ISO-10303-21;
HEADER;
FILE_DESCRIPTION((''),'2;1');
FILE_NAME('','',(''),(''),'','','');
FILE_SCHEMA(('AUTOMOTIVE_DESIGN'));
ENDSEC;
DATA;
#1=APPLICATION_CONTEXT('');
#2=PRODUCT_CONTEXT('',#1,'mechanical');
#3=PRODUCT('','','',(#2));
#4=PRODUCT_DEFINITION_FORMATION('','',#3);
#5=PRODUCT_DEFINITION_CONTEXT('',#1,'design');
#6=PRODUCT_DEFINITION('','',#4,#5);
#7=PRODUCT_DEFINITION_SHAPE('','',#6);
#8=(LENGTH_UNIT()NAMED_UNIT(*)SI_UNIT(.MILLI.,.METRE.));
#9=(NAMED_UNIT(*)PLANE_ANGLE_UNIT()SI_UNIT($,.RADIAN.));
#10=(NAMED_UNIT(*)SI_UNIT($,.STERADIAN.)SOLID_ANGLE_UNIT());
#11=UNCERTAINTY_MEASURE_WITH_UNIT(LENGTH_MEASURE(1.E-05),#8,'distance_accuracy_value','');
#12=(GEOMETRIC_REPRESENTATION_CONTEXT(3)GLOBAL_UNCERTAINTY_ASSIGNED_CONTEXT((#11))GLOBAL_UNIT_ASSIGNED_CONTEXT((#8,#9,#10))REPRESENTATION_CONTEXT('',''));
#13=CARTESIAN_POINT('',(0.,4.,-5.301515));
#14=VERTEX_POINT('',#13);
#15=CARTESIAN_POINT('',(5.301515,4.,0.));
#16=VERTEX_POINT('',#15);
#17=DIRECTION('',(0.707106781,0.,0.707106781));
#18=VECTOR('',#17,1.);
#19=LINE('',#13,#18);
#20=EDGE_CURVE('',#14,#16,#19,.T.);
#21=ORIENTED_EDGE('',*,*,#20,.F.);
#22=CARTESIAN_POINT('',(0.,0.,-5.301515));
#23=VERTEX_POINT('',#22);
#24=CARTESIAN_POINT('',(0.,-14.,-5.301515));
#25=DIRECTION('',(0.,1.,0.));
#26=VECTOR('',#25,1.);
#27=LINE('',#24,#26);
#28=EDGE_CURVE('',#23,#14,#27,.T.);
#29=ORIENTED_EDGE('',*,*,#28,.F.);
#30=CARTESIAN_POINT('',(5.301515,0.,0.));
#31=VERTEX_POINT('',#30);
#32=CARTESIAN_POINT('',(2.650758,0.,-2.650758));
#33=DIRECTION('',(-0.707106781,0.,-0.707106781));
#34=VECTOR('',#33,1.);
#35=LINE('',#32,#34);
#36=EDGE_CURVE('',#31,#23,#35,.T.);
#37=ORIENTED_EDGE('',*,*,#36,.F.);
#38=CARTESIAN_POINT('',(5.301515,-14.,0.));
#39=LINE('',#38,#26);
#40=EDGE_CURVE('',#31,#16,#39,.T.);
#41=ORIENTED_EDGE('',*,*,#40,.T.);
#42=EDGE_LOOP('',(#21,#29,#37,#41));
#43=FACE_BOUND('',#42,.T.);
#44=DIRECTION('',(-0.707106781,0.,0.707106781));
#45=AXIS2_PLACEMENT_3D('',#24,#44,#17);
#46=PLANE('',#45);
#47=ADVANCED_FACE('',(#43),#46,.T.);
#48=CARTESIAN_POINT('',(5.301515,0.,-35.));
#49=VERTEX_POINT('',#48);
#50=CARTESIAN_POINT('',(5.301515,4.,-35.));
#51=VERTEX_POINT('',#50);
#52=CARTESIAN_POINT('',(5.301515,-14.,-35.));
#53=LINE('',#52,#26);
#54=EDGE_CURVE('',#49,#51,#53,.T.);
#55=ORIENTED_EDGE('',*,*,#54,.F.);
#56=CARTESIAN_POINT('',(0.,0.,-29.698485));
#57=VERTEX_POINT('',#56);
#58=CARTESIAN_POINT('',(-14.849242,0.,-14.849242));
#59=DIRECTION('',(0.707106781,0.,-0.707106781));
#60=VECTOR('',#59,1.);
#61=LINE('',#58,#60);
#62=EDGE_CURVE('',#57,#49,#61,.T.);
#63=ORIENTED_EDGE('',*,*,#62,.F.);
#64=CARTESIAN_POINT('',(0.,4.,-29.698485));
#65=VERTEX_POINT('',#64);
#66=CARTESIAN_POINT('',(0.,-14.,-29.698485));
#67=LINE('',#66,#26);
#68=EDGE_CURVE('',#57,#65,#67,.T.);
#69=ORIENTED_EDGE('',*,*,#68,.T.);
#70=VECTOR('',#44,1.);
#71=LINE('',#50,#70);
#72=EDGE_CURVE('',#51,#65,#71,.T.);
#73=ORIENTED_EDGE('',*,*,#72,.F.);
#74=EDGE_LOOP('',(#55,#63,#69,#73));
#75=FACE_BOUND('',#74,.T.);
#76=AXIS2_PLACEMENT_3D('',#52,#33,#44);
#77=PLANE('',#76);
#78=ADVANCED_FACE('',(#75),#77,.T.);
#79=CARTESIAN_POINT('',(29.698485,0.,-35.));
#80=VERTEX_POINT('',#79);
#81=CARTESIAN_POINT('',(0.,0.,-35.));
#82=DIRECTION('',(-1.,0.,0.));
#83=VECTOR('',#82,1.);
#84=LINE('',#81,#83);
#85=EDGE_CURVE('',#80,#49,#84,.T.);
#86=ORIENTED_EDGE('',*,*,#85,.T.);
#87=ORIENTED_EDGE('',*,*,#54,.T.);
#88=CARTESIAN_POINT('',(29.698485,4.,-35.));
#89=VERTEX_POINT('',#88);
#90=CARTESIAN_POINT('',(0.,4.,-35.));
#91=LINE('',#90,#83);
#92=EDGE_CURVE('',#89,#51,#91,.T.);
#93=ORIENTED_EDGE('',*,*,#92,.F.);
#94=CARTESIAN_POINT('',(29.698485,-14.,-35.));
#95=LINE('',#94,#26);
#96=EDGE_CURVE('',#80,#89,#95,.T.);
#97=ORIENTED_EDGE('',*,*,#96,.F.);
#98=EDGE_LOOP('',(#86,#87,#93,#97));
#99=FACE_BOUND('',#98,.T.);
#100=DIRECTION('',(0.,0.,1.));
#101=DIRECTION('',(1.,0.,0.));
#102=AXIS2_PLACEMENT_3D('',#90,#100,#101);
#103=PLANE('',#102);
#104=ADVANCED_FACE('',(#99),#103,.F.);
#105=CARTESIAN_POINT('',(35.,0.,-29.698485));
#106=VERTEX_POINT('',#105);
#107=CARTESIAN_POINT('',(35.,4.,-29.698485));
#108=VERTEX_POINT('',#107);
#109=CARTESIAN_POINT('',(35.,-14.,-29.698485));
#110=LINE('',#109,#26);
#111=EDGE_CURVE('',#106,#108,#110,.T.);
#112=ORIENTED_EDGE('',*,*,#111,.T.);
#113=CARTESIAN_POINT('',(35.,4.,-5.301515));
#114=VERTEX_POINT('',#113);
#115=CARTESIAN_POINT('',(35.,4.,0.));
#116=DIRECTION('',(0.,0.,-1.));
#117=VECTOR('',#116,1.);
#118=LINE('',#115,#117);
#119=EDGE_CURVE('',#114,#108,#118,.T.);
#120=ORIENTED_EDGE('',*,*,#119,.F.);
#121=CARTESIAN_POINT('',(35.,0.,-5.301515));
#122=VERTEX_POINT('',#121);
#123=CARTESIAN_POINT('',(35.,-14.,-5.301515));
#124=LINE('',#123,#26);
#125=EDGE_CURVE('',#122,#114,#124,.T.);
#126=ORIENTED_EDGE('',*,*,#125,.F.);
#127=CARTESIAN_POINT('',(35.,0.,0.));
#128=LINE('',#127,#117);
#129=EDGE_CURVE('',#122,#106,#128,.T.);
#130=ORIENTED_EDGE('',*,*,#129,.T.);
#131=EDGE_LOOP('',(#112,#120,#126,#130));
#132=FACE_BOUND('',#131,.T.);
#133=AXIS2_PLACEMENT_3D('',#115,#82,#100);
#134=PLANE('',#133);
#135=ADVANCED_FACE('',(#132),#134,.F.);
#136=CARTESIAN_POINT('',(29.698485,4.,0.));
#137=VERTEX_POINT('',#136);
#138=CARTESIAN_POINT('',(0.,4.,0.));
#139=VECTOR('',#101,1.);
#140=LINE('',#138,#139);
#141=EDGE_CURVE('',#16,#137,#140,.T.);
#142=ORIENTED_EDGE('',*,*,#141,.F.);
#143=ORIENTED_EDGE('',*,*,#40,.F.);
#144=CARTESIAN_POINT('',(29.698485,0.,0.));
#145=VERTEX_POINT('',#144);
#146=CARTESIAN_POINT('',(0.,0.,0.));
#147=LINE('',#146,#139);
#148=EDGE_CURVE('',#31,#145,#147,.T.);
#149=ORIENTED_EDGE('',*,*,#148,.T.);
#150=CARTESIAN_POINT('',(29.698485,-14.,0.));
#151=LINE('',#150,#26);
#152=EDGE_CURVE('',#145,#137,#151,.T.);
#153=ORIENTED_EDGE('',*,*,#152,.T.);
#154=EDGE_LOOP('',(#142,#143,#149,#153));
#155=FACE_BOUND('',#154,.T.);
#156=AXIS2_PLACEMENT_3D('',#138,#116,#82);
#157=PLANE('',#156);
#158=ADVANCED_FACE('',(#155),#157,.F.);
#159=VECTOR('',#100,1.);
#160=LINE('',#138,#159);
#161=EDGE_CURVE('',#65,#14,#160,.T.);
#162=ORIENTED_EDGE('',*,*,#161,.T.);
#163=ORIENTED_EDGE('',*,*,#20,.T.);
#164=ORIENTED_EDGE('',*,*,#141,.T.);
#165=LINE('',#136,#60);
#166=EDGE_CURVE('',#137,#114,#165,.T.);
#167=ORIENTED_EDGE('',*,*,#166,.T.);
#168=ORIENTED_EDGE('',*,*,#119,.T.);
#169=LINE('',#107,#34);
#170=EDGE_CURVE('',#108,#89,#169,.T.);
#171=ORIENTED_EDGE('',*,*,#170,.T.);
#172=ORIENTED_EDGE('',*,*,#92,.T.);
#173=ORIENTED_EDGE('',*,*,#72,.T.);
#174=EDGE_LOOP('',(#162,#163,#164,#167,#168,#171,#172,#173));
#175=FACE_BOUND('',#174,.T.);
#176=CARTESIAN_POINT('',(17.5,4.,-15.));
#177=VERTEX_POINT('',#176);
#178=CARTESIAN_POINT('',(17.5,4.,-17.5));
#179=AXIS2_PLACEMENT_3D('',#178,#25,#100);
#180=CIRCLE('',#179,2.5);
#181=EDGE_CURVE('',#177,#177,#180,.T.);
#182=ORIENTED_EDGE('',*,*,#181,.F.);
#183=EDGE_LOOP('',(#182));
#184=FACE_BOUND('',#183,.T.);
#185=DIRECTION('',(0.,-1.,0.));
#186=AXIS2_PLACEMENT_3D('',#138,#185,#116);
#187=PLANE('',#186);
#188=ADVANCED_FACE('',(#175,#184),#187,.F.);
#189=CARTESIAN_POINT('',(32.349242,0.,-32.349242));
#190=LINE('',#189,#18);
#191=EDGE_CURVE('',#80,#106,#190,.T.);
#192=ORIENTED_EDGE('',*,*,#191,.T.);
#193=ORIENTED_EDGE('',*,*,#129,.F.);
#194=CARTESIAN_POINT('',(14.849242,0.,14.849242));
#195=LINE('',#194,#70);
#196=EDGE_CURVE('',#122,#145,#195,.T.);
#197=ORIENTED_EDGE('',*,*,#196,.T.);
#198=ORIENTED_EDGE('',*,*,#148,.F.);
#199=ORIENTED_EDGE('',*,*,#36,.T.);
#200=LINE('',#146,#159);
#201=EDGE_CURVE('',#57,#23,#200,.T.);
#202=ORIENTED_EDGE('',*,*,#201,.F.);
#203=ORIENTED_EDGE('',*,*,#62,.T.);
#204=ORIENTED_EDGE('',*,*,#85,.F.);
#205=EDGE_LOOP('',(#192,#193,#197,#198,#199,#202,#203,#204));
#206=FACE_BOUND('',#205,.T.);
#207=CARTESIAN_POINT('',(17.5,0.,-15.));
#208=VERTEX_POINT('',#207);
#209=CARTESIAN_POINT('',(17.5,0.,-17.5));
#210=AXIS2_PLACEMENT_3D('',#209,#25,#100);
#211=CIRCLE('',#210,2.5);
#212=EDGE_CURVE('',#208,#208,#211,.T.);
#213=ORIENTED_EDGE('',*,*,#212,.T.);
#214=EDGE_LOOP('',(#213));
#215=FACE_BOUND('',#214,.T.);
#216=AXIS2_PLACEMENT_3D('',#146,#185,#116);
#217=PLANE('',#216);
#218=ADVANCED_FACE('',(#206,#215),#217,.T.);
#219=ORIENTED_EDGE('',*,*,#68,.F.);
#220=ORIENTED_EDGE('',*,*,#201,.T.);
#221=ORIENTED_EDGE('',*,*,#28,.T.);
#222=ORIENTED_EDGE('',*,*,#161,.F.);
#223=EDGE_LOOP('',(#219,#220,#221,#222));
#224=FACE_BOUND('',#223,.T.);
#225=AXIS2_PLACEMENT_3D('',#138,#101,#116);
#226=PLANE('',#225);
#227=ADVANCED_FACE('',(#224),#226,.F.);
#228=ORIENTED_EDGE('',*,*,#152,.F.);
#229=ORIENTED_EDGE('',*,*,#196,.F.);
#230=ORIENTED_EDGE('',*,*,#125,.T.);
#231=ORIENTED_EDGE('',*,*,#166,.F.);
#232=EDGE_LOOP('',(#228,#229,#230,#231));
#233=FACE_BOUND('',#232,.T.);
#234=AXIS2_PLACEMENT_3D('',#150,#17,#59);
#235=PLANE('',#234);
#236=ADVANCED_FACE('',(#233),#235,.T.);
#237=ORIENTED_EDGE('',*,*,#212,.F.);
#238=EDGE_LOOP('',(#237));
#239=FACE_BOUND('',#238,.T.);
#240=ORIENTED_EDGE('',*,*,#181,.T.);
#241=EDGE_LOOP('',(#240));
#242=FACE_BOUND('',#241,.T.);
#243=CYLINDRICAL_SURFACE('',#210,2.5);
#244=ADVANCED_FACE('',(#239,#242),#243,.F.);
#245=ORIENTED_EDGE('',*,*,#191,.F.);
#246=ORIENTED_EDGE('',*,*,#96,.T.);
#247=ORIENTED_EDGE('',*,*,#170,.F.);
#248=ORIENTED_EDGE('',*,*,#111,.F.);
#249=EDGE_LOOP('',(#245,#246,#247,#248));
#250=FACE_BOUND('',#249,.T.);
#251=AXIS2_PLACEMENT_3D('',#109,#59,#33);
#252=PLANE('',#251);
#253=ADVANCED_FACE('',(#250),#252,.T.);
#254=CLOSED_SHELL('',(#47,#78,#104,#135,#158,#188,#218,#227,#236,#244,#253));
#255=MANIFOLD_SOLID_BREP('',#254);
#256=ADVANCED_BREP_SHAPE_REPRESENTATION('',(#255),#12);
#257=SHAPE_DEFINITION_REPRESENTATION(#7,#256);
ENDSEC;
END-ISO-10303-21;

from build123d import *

# Parameters (mm, degrees)
CROQUIS1_W              = 35
CROQUIS1_H              = 35
SALIENTE_EXTRUIR1_DEPTH = 4
CROQUIS2_OUTSIDE_W      = 46.932
CROQUIS2_OUTSIDE_H      = 46.932
CORTAR_EXTRUIR2_DEPTH   = 18
CROQUIS3_R              = 2.5
CORTAR_EXTRUIR3_DEPTH   = 5


with BuildPart() as part:
    # Croquis1 → Saliente-Extruir1 (new body)
    with BuildSketch(Plane(origin=(0, 0, 0), x_dir=(1, 0, 0), z_dir=(0, 1, 0))):
        with Locations((17.5, 17.5)):
            Rectangle(CROQUIS1_W, CROQUIS1_H)
    extrude(amount=SALIENTE_EXTRUIR1_DEPTH)

    # Croquis2 outside → Cortar-Extruir2 (cut)
    with BuildSketch(Plane(origin=(0, 4, 0), x_dir=(1, 0, 0), z_dir=(0, 1, 0))):
        with Locations((17.5, 17.5)):
            Rectangle(CROQUIS2_OUTSIDE_W, CROQUIS2_OUTSIDE_H)
        Polygon((5.30151519, 35), (0, 29.69848481), (0, 5.30151519), (5.30151519, 0), (29.69848481, 0), (35, 5.30151519), (35, 29.69848481), (29.69848481, 35), align=None, mode=Mode.SUBTRACT)
    extrude(amount=-CORTAR_EXTRUIR2_DEPTH, mode=Mode.SUBTRACT)

    # Croquis3 → Cortar-Extruir3 (cut, through all)
    with BuildSketch(Plane(origin=(0, 4, 0), x_dir=(1, 0, 0), z_dir=(0, 1, 0))):
        with Locations((17.5, 17.5)):
            Circle(CROQUIS3_R)
    extrude(amount=-CORTAR_EXTRUIR3_DEPTH, mode=Mode.SUBTRACT)


solid = part.part
